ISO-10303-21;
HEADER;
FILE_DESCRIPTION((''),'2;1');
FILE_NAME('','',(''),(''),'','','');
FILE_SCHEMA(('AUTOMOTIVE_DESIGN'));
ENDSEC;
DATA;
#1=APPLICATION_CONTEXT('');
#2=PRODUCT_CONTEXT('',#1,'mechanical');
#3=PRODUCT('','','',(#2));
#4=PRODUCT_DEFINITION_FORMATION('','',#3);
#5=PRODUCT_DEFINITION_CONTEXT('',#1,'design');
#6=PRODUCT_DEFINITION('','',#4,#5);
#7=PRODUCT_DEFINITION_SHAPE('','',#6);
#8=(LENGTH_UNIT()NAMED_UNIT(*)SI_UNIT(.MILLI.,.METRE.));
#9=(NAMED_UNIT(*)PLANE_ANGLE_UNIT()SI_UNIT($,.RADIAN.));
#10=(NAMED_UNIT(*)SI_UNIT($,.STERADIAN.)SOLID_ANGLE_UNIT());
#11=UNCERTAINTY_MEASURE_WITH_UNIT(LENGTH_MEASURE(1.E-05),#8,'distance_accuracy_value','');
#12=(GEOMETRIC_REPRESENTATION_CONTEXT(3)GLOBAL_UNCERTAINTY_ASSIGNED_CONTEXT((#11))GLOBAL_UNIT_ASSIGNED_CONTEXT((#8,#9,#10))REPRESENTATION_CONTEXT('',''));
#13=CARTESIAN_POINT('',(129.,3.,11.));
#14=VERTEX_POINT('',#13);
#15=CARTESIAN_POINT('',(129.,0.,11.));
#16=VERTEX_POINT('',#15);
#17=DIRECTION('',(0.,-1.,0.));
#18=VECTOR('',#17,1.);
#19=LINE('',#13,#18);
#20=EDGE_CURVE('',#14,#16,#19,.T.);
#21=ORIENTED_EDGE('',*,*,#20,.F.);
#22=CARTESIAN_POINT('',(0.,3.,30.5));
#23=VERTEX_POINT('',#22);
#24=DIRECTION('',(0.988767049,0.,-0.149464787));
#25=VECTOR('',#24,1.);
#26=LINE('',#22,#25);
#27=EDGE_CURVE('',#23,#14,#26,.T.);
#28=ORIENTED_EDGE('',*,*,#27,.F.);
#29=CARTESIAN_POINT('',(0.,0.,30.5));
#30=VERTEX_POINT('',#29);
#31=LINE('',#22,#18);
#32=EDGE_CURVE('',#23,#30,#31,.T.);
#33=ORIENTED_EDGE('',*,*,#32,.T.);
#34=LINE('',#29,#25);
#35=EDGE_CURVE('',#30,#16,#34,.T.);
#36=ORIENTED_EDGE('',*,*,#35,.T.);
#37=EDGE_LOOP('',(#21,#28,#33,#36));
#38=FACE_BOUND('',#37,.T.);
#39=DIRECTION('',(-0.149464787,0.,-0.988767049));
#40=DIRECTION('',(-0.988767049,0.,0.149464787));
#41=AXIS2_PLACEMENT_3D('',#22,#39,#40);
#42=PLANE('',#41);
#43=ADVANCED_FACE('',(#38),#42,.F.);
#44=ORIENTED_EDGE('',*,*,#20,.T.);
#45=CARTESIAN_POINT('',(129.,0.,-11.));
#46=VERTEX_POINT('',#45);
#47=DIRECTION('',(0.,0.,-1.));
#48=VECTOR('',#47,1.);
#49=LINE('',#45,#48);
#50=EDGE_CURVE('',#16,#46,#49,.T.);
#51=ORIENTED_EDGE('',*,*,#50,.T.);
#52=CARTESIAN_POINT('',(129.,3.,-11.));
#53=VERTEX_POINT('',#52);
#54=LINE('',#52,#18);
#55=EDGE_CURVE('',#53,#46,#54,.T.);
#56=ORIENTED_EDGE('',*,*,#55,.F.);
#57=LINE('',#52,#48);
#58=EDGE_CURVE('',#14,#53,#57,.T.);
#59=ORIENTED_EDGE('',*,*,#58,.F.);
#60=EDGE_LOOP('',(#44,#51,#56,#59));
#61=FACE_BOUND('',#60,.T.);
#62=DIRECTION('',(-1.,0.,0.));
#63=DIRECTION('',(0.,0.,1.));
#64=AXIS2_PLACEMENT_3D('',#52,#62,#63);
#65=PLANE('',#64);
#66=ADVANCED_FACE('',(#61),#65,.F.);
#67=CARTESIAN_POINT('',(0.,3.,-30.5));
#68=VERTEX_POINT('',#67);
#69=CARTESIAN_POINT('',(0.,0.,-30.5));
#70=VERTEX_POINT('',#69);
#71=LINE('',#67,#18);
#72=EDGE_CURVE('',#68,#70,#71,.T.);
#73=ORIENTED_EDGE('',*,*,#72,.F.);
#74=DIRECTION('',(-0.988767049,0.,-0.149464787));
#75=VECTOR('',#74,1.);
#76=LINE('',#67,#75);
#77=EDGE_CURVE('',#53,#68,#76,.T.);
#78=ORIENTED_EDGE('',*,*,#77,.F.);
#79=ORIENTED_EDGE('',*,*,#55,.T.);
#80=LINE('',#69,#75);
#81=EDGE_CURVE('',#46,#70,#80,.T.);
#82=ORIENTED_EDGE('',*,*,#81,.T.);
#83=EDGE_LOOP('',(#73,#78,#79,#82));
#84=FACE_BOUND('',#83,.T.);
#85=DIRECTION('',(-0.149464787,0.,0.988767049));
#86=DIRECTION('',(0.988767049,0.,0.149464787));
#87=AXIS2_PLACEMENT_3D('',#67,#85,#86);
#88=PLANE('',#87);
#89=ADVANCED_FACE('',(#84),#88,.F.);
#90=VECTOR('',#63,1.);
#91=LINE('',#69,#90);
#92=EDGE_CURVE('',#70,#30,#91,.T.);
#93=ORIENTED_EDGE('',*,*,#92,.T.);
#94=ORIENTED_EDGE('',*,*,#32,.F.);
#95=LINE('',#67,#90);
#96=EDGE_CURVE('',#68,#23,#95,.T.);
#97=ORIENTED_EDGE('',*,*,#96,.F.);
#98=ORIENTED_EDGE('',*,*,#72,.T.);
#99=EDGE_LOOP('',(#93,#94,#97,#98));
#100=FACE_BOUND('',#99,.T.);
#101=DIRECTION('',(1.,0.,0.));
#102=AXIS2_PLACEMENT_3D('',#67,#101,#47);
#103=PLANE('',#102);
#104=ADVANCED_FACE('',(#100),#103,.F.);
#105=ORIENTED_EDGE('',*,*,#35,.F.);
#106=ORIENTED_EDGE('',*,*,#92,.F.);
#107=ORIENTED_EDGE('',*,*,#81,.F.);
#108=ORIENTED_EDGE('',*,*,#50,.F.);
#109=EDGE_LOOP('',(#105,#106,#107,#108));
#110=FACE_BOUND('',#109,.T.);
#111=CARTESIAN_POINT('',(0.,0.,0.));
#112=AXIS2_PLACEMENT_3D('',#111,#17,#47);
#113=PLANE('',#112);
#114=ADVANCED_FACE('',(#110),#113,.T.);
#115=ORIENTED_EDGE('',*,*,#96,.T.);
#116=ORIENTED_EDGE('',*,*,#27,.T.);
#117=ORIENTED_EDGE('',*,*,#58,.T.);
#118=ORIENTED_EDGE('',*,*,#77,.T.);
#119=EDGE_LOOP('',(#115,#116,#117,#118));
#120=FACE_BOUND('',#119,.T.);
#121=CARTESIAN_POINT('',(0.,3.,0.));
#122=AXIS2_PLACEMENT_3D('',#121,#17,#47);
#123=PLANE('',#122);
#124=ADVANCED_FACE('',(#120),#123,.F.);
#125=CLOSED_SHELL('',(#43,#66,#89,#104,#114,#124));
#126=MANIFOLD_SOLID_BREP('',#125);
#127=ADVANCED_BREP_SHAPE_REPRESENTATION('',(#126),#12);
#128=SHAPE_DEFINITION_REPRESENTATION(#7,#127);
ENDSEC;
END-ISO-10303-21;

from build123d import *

# Parameters (mm, degrees)
BOSS_EXTRUDE1_DEPTH = 3


with BuildPart() as part:
    # Sketch1 → Boss-Extrude1 (new body)
    with BuildSketch(Plane(origin=(0, 0, 0), x_dir=(1, 0, 0), z_dir=(0, 1, 0))):
        Polygon((0, 30.5), (0, -30.5), (129, -11), (129, 11), align=None)
    extrude(amount=BOSS_EXTRUDE1_DEPTH)


solid = part.part
